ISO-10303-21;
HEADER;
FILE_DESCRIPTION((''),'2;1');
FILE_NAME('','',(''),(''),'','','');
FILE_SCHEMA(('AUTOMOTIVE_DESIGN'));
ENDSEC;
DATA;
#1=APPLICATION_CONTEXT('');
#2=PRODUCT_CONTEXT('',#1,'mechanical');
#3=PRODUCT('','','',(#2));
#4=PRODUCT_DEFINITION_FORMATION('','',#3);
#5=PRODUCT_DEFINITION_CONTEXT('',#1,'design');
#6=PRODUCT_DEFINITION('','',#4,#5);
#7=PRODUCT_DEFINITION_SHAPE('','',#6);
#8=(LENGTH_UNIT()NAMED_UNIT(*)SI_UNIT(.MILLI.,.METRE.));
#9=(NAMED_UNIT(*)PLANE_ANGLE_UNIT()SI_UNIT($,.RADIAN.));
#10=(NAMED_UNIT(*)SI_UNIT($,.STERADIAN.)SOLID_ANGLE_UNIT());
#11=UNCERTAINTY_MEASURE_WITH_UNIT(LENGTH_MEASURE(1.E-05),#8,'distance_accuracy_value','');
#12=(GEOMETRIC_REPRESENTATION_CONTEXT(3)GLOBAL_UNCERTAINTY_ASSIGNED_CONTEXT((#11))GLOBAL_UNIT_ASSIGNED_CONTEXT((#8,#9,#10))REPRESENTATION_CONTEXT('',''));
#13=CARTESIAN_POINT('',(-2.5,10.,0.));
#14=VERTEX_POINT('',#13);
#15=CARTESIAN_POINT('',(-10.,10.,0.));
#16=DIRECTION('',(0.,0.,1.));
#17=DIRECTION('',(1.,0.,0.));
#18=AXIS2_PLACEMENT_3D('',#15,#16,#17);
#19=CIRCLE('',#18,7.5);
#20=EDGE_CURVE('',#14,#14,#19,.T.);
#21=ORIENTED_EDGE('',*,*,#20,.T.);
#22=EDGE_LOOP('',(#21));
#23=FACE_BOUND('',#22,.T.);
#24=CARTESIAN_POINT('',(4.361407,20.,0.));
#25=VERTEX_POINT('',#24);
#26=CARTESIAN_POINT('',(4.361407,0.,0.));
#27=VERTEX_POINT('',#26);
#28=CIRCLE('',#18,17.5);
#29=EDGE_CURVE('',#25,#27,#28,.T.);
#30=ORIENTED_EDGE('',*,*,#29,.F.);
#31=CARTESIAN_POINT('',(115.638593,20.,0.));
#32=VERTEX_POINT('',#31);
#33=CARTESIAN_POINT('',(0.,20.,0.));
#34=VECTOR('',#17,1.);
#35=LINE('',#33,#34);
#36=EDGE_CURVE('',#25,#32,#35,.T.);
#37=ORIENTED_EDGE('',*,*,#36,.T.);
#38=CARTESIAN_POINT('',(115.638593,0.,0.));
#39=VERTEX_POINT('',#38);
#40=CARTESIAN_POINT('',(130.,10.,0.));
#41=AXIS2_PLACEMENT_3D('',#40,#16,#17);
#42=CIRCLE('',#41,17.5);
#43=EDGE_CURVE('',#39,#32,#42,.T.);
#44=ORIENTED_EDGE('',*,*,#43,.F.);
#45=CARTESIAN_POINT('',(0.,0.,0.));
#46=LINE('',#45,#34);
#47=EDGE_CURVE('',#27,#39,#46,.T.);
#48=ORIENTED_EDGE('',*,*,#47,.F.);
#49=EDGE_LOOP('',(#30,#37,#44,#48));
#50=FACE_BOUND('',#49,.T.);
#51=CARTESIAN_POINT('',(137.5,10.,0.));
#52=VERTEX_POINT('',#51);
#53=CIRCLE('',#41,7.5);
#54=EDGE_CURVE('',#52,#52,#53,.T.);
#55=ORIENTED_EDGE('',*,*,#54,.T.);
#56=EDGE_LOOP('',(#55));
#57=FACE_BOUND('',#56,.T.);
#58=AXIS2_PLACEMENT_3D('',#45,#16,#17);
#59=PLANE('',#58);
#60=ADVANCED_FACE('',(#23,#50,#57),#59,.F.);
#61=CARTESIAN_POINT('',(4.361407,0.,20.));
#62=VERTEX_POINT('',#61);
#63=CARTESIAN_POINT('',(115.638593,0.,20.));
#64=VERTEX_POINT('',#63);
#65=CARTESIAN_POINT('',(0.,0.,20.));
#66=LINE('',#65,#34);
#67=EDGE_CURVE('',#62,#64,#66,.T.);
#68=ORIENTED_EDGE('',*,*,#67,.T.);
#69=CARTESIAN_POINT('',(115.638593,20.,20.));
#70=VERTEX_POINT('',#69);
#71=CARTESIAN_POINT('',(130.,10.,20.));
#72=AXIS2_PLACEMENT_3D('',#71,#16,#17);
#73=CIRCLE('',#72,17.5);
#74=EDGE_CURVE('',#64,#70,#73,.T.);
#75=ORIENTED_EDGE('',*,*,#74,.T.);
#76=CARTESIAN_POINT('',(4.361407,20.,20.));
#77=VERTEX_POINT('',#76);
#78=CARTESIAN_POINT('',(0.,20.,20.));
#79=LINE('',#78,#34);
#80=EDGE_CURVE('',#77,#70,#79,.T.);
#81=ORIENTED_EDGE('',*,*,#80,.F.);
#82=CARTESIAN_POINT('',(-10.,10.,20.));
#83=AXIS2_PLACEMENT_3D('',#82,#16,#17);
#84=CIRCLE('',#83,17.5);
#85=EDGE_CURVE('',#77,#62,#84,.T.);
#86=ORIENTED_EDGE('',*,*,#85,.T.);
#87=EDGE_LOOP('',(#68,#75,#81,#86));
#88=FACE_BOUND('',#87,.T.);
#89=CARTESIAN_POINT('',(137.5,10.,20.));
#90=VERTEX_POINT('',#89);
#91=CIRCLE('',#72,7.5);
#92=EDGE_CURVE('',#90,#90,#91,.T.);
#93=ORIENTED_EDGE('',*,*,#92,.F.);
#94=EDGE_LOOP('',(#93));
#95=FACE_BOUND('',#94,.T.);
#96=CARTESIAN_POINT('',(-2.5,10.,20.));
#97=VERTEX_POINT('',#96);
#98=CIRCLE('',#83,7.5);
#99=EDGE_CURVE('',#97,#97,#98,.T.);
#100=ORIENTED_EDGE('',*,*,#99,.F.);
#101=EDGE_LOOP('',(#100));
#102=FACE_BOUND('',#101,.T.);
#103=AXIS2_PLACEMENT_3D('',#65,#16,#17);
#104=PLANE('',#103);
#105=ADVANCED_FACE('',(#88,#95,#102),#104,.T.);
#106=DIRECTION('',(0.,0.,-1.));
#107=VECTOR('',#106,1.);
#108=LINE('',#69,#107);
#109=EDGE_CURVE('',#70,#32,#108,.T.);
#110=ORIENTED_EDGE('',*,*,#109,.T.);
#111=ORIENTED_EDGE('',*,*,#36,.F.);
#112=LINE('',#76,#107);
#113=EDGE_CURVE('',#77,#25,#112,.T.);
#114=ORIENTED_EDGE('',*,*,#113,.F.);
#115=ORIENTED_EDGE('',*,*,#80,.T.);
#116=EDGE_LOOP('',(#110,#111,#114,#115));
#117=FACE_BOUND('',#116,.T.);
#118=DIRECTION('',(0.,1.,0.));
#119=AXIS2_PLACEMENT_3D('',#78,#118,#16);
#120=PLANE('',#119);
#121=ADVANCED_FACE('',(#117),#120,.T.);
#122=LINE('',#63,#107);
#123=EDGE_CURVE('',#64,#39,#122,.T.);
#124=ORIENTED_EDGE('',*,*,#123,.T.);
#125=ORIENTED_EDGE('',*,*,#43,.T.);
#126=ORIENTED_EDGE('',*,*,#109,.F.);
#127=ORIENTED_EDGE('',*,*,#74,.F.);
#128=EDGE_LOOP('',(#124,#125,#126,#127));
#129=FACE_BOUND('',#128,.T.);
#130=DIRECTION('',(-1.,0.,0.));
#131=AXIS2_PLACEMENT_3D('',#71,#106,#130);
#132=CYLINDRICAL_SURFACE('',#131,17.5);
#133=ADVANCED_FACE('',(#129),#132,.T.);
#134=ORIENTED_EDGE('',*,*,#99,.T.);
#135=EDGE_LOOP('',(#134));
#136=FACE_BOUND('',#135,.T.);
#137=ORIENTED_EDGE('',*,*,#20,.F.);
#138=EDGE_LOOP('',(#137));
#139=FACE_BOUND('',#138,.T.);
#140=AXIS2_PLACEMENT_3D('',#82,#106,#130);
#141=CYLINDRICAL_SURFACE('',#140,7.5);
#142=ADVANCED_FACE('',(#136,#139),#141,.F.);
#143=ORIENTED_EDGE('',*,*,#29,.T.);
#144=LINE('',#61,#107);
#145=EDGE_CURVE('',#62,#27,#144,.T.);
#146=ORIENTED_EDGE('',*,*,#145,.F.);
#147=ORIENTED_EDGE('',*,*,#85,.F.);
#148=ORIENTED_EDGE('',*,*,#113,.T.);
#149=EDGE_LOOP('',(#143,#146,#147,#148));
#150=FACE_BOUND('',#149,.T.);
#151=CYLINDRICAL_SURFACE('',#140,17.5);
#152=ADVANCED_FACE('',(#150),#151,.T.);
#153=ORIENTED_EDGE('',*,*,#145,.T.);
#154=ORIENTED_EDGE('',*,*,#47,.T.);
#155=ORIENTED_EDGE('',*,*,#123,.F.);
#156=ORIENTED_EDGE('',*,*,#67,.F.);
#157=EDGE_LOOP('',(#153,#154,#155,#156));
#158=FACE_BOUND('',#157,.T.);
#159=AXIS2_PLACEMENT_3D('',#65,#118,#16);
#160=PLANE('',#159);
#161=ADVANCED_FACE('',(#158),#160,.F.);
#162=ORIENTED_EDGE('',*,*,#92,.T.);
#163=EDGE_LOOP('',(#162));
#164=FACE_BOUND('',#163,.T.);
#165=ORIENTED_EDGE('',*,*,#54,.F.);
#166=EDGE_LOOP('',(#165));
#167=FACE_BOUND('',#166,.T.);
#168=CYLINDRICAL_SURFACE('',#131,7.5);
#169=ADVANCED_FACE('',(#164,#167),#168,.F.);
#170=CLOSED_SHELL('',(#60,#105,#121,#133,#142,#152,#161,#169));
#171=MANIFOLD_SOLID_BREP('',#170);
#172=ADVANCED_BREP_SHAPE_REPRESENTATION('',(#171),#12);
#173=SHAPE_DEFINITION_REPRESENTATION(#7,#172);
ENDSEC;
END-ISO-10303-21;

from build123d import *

# Parameters (mm, degrees)
SKETCH1_R           = 7.5
BOSS_EXTRUDE2_DEPTH = 20


with BuildPart() as part:
    # Sketch1 → Boss-Extrude2 (new body)
    # profile 1 of 5: a face of its own
    with BuildSketch(Plane.XY):
        with BuildLine():
            ThreePointArc((7.5, 10), (6.696925103, 4.759514134), (4.361406616, 0))
            Line((4.361406616, 0), (115.638593384, 0))
            ThreePointArc((115.638593384, 0), (112.5, 10), (115.638593384, 20))
            Line((115.638593384, 20), (4.361406616, 20))
            ThreePointArc((4.361406616, 20), (6.696925103, 15.240485866), (7.5, 10))
        make_face()
    # profile 2 of 5: a face of its own
    with BuildSketch(Plane.XY):
        with BuildLine():
            Line((0, 20), (0, 0))
            Line((0, 0), (4.361406616, 0))
            ThreePointArc((4.361406616, 0), (6.696925103, 4.759514134), (7.5, 10))
            ThreePointArc((7.5, 10), (6.696925103, 15.240485866), (4.361406616, 20))
            Line((4.361406616, 20), (0, 20))
        make_face()
    # profile 3 of 5: a face of its own
    with BuildSketch(Plane.XY):
        with BuildLine():
            ThreePointArc((115.638593384, 20), (112.5, 10), (115.638593384, 0))
            Line((115.638593384, 0), (120, 0))
            Line((120, 0), (120, 20))
            Line((120, 20), (115.638593384, 20))
        make_face()
    # profile 4 of 5: a face of its own
    with BuildSketch(Plane.XY):
        with BuildLine():
            Line((120, 0), (115.638593384, 0))
            ThreePointArc((115.638593384, 0), (135.240485866, -6.696925103), (147.5, 10))
            ThreePointArc((147.5, 10), (135.240485866, 26.696925103), (115.638593384, 20))
            Line((115.638593384, 20), (120, 20))
            Line((120, 20), (120, 0))
        make_face()
        with Locations((130, 10)):
            Circle(SKETCH1_R, mode=Mode.SUBTRACT)
    # profile 5 of 5: a face of its own
    with BuildSketch(Plane.XY):
        with BuildLine():
            Line((4.361406616, 0), (0, 0))
            Line((0, 0), (0, 20))
            Line((0, 20), (4.361406616, 20))
            ThreePointArc((4.361406616, 20), (-27.5, 10), (4.361406616, 0))
        make_face()
        with Locations((-10, 10)):
            Circle(SKETCH1_R, mode=Mode.SUBTRACT)
    extrude(amount=BOSS_EXTRUDE2_DEPTH)


solid = part.part
